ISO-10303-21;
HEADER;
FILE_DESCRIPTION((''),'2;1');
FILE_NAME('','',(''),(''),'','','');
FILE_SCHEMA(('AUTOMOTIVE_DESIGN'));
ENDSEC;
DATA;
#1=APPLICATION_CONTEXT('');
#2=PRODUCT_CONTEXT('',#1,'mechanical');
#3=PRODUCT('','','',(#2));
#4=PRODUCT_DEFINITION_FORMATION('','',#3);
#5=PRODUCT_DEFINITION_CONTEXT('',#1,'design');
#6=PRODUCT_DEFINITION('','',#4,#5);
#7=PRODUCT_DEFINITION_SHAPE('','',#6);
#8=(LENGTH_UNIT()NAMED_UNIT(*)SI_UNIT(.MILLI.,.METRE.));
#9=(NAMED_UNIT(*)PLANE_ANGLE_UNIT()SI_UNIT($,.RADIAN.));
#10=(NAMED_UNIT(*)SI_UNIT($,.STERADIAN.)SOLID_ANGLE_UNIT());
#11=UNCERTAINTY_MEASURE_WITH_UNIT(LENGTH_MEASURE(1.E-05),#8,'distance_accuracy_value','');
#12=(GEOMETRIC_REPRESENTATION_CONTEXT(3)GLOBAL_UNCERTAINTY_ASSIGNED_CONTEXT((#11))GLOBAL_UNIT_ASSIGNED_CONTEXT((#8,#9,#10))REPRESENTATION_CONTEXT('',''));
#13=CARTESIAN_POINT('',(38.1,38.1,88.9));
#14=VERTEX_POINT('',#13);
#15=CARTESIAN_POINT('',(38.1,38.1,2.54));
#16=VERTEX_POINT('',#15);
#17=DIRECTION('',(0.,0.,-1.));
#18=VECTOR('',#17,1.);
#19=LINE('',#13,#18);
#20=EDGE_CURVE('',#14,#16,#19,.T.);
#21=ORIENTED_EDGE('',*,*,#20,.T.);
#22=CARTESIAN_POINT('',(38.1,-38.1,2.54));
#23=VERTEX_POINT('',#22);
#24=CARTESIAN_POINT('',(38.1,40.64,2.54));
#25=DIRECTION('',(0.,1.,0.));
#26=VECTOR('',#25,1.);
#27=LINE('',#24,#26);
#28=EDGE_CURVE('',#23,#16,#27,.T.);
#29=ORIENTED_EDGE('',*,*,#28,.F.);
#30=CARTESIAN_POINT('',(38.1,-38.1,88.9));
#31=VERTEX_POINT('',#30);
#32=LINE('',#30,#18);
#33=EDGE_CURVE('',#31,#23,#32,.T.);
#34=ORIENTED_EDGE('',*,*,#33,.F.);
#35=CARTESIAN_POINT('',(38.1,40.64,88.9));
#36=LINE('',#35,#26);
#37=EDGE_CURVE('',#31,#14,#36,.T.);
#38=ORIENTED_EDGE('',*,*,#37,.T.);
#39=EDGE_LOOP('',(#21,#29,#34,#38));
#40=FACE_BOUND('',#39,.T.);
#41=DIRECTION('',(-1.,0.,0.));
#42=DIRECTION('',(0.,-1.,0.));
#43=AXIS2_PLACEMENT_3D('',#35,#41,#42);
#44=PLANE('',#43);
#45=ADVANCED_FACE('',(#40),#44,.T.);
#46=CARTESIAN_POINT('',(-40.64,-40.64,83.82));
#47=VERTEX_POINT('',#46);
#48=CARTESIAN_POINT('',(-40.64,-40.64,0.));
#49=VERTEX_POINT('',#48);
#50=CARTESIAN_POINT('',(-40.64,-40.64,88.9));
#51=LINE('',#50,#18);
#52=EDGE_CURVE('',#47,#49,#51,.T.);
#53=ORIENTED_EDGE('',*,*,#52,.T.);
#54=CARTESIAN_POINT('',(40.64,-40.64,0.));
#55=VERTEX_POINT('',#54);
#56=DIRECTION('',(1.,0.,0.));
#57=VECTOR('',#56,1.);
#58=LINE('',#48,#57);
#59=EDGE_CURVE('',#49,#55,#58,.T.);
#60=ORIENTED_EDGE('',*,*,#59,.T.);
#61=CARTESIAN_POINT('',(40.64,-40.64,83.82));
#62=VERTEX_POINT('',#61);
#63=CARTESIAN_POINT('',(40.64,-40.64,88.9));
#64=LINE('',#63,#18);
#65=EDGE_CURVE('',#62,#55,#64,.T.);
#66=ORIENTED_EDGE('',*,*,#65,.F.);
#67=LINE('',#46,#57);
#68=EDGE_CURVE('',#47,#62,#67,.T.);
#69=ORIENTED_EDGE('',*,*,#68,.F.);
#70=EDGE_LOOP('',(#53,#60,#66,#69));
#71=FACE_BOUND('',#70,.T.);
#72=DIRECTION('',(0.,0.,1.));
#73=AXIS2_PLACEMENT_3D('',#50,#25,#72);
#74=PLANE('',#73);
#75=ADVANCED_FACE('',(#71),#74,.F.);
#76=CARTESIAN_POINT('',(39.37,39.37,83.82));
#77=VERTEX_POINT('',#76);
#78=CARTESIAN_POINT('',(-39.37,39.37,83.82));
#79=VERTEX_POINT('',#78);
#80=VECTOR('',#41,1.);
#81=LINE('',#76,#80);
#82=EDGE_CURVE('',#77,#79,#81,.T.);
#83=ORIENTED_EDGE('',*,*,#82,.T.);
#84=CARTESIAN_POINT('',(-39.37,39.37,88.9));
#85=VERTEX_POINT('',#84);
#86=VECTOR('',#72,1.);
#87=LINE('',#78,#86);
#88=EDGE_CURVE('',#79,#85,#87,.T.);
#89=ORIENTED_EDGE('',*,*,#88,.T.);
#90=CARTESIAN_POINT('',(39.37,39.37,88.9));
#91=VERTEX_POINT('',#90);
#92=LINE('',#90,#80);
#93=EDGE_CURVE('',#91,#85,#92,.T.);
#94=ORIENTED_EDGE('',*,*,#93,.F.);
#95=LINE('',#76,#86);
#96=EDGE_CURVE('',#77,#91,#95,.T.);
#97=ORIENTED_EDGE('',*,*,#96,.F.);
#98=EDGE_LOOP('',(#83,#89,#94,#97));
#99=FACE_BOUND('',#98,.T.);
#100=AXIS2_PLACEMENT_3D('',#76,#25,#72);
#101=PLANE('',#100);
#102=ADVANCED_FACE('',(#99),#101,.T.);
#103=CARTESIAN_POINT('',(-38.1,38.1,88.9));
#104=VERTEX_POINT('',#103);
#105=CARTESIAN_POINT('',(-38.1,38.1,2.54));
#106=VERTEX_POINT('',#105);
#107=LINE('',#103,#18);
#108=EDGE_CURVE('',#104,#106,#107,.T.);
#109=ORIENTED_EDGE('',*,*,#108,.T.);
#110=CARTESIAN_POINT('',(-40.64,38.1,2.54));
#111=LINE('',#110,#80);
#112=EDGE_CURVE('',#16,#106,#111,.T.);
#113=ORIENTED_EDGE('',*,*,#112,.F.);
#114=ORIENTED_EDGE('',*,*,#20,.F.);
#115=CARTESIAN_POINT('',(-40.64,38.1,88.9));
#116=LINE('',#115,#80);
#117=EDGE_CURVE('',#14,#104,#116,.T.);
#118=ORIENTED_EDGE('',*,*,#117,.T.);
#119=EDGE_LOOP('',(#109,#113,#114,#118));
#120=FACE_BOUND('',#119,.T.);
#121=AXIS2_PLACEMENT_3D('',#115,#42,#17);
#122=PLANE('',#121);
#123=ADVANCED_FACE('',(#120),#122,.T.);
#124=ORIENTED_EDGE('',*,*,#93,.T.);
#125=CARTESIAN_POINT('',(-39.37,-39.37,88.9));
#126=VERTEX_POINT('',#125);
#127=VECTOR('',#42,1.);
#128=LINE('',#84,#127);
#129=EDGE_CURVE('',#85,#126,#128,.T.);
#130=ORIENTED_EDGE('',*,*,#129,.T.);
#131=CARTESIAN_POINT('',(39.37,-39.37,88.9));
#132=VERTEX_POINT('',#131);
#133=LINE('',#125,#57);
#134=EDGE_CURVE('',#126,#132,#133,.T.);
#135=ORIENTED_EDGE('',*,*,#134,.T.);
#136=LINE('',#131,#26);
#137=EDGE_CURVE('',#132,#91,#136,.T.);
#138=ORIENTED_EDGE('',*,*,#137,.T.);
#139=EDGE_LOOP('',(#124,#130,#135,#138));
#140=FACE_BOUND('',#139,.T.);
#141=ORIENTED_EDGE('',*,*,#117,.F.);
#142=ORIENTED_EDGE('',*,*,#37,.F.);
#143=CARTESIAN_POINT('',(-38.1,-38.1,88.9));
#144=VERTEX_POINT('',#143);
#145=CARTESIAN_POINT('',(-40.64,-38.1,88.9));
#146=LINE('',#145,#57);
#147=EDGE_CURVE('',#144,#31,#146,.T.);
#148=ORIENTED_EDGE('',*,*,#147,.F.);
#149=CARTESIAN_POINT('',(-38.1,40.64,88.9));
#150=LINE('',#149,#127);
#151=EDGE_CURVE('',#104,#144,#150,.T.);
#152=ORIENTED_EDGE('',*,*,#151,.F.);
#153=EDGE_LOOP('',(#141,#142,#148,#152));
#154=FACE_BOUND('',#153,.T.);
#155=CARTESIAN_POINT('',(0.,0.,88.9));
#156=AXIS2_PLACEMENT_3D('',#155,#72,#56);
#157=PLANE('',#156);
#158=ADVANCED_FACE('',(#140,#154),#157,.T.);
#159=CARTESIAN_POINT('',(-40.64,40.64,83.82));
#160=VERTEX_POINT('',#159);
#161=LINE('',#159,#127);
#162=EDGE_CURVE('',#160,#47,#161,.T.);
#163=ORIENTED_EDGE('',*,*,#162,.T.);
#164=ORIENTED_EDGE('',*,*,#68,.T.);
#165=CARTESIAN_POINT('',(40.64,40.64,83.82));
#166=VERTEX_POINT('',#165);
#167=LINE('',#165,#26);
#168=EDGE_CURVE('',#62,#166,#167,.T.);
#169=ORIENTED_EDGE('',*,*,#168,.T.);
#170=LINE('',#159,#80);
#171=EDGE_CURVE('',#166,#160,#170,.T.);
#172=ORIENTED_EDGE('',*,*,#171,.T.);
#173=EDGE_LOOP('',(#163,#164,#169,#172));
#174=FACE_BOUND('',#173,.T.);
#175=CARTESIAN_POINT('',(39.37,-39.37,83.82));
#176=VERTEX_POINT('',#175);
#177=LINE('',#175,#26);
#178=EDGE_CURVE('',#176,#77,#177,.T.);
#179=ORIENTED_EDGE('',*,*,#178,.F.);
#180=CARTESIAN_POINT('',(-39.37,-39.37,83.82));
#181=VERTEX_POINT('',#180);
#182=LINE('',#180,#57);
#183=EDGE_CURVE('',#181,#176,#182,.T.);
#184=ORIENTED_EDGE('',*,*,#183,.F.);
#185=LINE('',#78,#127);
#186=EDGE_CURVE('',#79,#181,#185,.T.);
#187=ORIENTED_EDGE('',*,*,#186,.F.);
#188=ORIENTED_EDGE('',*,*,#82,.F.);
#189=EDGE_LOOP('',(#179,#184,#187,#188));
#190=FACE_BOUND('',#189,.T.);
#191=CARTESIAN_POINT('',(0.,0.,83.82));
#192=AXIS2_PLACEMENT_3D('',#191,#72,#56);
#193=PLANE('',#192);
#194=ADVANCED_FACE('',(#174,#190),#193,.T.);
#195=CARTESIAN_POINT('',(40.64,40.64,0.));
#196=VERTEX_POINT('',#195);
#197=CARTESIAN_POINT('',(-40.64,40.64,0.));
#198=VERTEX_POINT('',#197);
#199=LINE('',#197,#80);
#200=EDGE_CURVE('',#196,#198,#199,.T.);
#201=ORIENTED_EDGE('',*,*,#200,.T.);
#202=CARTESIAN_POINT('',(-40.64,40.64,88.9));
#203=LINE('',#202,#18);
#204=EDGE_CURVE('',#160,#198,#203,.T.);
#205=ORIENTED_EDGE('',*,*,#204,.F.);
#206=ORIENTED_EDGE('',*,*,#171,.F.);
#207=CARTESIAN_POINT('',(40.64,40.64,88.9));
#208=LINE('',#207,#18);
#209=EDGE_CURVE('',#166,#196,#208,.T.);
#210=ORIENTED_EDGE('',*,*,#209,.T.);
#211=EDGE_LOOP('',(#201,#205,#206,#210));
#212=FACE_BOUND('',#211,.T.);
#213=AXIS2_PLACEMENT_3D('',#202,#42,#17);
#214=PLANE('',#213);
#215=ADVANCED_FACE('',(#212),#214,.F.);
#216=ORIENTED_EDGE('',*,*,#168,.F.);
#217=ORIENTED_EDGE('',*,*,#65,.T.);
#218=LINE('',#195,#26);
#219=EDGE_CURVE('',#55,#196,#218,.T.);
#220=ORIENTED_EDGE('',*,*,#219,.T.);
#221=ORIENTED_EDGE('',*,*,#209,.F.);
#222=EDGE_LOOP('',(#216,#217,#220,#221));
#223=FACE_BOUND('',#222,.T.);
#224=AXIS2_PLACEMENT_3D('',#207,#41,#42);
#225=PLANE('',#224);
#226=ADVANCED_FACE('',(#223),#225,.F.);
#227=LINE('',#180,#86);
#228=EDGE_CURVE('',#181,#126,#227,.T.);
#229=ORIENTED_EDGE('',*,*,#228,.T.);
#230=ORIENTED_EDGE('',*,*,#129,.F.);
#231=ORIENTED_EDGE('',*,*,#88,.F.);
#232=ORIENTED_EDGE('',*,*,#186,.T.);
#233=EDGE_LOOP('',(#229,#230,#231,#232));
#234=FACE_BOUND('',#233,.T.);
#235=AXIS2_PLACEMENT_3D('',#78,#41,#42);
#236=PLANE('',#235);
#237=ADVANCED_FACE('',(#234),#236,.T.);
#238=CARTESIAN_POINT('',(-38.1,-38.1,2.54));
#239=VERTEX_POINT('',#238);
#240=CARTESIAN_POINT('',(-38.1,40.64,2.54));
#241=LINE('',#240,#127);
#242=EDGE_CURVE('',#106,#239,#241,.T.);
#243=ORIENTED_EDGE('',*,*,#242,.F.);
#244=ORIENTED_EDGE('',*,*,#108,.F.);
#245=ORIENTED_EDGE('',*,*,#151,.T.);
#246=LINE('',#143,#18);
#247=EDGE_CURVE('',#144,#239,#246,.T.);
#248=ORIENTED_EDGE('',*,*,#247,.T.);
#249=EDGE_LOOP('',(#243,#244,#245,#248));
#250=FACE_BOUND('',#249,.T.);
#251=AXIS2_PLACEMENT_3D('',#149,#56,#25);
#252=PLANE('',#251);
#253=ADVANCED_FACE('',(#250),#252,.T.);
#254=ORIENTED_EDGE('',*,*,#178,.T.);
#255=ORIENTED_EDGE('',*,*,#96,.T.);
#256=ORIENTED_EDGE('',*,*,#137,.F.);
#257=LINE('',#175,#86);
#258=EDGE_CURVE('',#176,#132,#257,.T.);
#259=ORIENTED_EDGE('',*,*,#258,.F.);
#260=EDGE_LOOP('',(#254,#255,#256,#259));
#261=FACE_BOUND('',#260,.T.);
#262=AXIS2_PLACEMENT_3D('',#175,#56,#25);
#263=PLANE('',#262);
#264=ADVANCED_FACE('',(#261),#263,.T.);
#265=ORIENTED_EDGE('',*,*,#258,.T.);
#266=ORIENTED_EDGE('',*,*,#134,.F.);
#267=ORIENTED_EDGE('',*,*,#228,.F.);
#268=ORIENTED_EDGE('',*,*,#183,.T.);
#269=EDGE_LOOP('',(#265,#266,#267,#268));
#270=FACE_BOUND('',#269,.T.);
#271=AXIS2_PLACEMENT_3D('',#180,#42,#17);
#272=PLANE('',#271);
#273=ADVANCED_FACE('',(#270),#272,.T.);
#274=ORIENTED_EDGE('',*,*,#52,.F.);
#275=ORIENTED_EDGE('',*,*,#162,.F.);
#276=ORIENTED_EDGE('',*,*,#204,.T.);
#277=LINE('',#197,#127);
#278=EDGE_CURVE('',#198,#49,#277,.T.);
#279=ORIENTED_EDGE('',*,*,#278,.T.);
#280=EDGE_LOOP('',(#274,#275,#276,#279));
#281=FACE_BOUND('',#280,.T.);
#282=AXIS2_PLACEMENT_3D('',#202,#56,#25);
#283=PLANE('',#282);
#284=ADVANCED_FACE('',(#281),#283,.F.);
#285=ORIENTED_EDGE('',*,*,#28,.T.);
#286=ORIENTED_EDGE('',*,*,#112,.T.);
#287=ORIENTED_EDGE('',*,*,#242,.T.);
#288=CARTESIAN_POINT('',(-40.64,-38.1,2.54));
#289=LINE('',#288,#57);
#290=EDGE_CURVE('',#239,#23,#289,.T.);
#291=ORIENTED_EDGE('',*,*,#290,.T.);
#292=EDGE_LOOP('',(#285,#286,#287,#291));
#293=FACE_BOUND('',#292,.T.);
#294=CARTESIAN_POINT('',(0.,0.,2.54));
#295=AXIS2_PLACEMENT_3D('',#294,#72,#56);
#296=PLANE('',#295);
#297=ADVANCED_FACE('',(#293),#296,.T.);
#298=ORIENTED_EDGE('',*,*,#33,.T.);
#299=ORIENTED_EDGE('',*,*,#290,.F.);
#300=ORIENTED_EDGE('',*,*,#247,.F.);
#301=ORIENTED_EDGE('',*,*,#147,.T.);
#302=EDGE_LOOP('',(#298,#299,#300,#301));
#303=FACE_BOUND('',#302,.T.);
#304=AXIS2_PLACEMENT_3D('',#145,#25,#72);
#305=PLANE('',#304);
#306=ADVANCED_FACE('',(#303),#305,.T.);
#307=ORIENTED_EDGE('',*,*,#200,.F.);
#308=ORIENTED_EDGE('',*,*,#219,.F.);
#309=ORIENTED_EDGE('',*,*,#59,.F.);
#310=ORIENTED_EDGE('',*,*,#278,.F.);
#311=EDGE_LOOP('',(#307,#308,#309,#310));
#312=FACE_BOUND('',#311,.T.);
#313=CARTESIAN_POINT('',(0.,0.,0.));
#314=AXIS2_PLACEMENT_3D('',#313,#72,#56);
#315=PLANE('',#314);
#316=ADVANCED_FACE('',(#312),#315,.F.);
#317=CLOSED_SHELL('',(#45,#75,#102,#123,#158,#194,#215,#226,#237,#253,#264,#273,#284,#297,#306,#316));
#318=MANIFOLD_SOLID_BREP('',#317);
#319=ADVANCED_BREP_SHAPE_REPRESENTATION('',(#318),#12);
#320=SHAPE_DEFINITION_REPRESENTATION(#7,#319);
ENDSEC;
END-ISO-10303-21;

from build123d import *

# Parameters (mm, degrees)
SKETCH1_W           = 81.28
SKETCH1_H           = 81.28
BOSS_EXTRUDE1_DEPTH = 88.9
SHELL1_T            = -2.54
SKETCH2_W           = 91.781641856
SKETCH2_H           = 86.951733082
SKETCH2_W_2         = 78.74
SKETCH2_H_2         = 78.74
CUT_EXTRUDE1_DEPTH  = 5.08


with BuildPart() as part:
    # Sketch1 → Boss-Extrude1 (new body)
    with BuildSketch(Plane.XY):
        Rectangle(SKETCH1_W, SKETCH1_H)
    extrude(amount=BOSS_EXTRUDE1_DEPTH)

    # Shell1
    shell1_openings = [part.faces().sort_by_distance(p)[0] for p in [
        (0, 0, 88.9),
    ]]
    offset(amount=SHELL1_T, openings=shell1_openings, kind=Kind.INTERSECTION)

    # Sketch2 → Cut-Extrude1 (cut)
    with BuildSketch(Plane.XY.offset(88.9)):
        Rectangle(SKETCH2_W, SKETCH2_H)
        Rectangle(SKETCH2_W_2, SKETCH2_H_2, mode=Mode.SUBTRACT)
    extrude(amount=-CUT_EXTRUDE1_DEPTH, mode=Mode.SUBTRACT)


solid = part.part
